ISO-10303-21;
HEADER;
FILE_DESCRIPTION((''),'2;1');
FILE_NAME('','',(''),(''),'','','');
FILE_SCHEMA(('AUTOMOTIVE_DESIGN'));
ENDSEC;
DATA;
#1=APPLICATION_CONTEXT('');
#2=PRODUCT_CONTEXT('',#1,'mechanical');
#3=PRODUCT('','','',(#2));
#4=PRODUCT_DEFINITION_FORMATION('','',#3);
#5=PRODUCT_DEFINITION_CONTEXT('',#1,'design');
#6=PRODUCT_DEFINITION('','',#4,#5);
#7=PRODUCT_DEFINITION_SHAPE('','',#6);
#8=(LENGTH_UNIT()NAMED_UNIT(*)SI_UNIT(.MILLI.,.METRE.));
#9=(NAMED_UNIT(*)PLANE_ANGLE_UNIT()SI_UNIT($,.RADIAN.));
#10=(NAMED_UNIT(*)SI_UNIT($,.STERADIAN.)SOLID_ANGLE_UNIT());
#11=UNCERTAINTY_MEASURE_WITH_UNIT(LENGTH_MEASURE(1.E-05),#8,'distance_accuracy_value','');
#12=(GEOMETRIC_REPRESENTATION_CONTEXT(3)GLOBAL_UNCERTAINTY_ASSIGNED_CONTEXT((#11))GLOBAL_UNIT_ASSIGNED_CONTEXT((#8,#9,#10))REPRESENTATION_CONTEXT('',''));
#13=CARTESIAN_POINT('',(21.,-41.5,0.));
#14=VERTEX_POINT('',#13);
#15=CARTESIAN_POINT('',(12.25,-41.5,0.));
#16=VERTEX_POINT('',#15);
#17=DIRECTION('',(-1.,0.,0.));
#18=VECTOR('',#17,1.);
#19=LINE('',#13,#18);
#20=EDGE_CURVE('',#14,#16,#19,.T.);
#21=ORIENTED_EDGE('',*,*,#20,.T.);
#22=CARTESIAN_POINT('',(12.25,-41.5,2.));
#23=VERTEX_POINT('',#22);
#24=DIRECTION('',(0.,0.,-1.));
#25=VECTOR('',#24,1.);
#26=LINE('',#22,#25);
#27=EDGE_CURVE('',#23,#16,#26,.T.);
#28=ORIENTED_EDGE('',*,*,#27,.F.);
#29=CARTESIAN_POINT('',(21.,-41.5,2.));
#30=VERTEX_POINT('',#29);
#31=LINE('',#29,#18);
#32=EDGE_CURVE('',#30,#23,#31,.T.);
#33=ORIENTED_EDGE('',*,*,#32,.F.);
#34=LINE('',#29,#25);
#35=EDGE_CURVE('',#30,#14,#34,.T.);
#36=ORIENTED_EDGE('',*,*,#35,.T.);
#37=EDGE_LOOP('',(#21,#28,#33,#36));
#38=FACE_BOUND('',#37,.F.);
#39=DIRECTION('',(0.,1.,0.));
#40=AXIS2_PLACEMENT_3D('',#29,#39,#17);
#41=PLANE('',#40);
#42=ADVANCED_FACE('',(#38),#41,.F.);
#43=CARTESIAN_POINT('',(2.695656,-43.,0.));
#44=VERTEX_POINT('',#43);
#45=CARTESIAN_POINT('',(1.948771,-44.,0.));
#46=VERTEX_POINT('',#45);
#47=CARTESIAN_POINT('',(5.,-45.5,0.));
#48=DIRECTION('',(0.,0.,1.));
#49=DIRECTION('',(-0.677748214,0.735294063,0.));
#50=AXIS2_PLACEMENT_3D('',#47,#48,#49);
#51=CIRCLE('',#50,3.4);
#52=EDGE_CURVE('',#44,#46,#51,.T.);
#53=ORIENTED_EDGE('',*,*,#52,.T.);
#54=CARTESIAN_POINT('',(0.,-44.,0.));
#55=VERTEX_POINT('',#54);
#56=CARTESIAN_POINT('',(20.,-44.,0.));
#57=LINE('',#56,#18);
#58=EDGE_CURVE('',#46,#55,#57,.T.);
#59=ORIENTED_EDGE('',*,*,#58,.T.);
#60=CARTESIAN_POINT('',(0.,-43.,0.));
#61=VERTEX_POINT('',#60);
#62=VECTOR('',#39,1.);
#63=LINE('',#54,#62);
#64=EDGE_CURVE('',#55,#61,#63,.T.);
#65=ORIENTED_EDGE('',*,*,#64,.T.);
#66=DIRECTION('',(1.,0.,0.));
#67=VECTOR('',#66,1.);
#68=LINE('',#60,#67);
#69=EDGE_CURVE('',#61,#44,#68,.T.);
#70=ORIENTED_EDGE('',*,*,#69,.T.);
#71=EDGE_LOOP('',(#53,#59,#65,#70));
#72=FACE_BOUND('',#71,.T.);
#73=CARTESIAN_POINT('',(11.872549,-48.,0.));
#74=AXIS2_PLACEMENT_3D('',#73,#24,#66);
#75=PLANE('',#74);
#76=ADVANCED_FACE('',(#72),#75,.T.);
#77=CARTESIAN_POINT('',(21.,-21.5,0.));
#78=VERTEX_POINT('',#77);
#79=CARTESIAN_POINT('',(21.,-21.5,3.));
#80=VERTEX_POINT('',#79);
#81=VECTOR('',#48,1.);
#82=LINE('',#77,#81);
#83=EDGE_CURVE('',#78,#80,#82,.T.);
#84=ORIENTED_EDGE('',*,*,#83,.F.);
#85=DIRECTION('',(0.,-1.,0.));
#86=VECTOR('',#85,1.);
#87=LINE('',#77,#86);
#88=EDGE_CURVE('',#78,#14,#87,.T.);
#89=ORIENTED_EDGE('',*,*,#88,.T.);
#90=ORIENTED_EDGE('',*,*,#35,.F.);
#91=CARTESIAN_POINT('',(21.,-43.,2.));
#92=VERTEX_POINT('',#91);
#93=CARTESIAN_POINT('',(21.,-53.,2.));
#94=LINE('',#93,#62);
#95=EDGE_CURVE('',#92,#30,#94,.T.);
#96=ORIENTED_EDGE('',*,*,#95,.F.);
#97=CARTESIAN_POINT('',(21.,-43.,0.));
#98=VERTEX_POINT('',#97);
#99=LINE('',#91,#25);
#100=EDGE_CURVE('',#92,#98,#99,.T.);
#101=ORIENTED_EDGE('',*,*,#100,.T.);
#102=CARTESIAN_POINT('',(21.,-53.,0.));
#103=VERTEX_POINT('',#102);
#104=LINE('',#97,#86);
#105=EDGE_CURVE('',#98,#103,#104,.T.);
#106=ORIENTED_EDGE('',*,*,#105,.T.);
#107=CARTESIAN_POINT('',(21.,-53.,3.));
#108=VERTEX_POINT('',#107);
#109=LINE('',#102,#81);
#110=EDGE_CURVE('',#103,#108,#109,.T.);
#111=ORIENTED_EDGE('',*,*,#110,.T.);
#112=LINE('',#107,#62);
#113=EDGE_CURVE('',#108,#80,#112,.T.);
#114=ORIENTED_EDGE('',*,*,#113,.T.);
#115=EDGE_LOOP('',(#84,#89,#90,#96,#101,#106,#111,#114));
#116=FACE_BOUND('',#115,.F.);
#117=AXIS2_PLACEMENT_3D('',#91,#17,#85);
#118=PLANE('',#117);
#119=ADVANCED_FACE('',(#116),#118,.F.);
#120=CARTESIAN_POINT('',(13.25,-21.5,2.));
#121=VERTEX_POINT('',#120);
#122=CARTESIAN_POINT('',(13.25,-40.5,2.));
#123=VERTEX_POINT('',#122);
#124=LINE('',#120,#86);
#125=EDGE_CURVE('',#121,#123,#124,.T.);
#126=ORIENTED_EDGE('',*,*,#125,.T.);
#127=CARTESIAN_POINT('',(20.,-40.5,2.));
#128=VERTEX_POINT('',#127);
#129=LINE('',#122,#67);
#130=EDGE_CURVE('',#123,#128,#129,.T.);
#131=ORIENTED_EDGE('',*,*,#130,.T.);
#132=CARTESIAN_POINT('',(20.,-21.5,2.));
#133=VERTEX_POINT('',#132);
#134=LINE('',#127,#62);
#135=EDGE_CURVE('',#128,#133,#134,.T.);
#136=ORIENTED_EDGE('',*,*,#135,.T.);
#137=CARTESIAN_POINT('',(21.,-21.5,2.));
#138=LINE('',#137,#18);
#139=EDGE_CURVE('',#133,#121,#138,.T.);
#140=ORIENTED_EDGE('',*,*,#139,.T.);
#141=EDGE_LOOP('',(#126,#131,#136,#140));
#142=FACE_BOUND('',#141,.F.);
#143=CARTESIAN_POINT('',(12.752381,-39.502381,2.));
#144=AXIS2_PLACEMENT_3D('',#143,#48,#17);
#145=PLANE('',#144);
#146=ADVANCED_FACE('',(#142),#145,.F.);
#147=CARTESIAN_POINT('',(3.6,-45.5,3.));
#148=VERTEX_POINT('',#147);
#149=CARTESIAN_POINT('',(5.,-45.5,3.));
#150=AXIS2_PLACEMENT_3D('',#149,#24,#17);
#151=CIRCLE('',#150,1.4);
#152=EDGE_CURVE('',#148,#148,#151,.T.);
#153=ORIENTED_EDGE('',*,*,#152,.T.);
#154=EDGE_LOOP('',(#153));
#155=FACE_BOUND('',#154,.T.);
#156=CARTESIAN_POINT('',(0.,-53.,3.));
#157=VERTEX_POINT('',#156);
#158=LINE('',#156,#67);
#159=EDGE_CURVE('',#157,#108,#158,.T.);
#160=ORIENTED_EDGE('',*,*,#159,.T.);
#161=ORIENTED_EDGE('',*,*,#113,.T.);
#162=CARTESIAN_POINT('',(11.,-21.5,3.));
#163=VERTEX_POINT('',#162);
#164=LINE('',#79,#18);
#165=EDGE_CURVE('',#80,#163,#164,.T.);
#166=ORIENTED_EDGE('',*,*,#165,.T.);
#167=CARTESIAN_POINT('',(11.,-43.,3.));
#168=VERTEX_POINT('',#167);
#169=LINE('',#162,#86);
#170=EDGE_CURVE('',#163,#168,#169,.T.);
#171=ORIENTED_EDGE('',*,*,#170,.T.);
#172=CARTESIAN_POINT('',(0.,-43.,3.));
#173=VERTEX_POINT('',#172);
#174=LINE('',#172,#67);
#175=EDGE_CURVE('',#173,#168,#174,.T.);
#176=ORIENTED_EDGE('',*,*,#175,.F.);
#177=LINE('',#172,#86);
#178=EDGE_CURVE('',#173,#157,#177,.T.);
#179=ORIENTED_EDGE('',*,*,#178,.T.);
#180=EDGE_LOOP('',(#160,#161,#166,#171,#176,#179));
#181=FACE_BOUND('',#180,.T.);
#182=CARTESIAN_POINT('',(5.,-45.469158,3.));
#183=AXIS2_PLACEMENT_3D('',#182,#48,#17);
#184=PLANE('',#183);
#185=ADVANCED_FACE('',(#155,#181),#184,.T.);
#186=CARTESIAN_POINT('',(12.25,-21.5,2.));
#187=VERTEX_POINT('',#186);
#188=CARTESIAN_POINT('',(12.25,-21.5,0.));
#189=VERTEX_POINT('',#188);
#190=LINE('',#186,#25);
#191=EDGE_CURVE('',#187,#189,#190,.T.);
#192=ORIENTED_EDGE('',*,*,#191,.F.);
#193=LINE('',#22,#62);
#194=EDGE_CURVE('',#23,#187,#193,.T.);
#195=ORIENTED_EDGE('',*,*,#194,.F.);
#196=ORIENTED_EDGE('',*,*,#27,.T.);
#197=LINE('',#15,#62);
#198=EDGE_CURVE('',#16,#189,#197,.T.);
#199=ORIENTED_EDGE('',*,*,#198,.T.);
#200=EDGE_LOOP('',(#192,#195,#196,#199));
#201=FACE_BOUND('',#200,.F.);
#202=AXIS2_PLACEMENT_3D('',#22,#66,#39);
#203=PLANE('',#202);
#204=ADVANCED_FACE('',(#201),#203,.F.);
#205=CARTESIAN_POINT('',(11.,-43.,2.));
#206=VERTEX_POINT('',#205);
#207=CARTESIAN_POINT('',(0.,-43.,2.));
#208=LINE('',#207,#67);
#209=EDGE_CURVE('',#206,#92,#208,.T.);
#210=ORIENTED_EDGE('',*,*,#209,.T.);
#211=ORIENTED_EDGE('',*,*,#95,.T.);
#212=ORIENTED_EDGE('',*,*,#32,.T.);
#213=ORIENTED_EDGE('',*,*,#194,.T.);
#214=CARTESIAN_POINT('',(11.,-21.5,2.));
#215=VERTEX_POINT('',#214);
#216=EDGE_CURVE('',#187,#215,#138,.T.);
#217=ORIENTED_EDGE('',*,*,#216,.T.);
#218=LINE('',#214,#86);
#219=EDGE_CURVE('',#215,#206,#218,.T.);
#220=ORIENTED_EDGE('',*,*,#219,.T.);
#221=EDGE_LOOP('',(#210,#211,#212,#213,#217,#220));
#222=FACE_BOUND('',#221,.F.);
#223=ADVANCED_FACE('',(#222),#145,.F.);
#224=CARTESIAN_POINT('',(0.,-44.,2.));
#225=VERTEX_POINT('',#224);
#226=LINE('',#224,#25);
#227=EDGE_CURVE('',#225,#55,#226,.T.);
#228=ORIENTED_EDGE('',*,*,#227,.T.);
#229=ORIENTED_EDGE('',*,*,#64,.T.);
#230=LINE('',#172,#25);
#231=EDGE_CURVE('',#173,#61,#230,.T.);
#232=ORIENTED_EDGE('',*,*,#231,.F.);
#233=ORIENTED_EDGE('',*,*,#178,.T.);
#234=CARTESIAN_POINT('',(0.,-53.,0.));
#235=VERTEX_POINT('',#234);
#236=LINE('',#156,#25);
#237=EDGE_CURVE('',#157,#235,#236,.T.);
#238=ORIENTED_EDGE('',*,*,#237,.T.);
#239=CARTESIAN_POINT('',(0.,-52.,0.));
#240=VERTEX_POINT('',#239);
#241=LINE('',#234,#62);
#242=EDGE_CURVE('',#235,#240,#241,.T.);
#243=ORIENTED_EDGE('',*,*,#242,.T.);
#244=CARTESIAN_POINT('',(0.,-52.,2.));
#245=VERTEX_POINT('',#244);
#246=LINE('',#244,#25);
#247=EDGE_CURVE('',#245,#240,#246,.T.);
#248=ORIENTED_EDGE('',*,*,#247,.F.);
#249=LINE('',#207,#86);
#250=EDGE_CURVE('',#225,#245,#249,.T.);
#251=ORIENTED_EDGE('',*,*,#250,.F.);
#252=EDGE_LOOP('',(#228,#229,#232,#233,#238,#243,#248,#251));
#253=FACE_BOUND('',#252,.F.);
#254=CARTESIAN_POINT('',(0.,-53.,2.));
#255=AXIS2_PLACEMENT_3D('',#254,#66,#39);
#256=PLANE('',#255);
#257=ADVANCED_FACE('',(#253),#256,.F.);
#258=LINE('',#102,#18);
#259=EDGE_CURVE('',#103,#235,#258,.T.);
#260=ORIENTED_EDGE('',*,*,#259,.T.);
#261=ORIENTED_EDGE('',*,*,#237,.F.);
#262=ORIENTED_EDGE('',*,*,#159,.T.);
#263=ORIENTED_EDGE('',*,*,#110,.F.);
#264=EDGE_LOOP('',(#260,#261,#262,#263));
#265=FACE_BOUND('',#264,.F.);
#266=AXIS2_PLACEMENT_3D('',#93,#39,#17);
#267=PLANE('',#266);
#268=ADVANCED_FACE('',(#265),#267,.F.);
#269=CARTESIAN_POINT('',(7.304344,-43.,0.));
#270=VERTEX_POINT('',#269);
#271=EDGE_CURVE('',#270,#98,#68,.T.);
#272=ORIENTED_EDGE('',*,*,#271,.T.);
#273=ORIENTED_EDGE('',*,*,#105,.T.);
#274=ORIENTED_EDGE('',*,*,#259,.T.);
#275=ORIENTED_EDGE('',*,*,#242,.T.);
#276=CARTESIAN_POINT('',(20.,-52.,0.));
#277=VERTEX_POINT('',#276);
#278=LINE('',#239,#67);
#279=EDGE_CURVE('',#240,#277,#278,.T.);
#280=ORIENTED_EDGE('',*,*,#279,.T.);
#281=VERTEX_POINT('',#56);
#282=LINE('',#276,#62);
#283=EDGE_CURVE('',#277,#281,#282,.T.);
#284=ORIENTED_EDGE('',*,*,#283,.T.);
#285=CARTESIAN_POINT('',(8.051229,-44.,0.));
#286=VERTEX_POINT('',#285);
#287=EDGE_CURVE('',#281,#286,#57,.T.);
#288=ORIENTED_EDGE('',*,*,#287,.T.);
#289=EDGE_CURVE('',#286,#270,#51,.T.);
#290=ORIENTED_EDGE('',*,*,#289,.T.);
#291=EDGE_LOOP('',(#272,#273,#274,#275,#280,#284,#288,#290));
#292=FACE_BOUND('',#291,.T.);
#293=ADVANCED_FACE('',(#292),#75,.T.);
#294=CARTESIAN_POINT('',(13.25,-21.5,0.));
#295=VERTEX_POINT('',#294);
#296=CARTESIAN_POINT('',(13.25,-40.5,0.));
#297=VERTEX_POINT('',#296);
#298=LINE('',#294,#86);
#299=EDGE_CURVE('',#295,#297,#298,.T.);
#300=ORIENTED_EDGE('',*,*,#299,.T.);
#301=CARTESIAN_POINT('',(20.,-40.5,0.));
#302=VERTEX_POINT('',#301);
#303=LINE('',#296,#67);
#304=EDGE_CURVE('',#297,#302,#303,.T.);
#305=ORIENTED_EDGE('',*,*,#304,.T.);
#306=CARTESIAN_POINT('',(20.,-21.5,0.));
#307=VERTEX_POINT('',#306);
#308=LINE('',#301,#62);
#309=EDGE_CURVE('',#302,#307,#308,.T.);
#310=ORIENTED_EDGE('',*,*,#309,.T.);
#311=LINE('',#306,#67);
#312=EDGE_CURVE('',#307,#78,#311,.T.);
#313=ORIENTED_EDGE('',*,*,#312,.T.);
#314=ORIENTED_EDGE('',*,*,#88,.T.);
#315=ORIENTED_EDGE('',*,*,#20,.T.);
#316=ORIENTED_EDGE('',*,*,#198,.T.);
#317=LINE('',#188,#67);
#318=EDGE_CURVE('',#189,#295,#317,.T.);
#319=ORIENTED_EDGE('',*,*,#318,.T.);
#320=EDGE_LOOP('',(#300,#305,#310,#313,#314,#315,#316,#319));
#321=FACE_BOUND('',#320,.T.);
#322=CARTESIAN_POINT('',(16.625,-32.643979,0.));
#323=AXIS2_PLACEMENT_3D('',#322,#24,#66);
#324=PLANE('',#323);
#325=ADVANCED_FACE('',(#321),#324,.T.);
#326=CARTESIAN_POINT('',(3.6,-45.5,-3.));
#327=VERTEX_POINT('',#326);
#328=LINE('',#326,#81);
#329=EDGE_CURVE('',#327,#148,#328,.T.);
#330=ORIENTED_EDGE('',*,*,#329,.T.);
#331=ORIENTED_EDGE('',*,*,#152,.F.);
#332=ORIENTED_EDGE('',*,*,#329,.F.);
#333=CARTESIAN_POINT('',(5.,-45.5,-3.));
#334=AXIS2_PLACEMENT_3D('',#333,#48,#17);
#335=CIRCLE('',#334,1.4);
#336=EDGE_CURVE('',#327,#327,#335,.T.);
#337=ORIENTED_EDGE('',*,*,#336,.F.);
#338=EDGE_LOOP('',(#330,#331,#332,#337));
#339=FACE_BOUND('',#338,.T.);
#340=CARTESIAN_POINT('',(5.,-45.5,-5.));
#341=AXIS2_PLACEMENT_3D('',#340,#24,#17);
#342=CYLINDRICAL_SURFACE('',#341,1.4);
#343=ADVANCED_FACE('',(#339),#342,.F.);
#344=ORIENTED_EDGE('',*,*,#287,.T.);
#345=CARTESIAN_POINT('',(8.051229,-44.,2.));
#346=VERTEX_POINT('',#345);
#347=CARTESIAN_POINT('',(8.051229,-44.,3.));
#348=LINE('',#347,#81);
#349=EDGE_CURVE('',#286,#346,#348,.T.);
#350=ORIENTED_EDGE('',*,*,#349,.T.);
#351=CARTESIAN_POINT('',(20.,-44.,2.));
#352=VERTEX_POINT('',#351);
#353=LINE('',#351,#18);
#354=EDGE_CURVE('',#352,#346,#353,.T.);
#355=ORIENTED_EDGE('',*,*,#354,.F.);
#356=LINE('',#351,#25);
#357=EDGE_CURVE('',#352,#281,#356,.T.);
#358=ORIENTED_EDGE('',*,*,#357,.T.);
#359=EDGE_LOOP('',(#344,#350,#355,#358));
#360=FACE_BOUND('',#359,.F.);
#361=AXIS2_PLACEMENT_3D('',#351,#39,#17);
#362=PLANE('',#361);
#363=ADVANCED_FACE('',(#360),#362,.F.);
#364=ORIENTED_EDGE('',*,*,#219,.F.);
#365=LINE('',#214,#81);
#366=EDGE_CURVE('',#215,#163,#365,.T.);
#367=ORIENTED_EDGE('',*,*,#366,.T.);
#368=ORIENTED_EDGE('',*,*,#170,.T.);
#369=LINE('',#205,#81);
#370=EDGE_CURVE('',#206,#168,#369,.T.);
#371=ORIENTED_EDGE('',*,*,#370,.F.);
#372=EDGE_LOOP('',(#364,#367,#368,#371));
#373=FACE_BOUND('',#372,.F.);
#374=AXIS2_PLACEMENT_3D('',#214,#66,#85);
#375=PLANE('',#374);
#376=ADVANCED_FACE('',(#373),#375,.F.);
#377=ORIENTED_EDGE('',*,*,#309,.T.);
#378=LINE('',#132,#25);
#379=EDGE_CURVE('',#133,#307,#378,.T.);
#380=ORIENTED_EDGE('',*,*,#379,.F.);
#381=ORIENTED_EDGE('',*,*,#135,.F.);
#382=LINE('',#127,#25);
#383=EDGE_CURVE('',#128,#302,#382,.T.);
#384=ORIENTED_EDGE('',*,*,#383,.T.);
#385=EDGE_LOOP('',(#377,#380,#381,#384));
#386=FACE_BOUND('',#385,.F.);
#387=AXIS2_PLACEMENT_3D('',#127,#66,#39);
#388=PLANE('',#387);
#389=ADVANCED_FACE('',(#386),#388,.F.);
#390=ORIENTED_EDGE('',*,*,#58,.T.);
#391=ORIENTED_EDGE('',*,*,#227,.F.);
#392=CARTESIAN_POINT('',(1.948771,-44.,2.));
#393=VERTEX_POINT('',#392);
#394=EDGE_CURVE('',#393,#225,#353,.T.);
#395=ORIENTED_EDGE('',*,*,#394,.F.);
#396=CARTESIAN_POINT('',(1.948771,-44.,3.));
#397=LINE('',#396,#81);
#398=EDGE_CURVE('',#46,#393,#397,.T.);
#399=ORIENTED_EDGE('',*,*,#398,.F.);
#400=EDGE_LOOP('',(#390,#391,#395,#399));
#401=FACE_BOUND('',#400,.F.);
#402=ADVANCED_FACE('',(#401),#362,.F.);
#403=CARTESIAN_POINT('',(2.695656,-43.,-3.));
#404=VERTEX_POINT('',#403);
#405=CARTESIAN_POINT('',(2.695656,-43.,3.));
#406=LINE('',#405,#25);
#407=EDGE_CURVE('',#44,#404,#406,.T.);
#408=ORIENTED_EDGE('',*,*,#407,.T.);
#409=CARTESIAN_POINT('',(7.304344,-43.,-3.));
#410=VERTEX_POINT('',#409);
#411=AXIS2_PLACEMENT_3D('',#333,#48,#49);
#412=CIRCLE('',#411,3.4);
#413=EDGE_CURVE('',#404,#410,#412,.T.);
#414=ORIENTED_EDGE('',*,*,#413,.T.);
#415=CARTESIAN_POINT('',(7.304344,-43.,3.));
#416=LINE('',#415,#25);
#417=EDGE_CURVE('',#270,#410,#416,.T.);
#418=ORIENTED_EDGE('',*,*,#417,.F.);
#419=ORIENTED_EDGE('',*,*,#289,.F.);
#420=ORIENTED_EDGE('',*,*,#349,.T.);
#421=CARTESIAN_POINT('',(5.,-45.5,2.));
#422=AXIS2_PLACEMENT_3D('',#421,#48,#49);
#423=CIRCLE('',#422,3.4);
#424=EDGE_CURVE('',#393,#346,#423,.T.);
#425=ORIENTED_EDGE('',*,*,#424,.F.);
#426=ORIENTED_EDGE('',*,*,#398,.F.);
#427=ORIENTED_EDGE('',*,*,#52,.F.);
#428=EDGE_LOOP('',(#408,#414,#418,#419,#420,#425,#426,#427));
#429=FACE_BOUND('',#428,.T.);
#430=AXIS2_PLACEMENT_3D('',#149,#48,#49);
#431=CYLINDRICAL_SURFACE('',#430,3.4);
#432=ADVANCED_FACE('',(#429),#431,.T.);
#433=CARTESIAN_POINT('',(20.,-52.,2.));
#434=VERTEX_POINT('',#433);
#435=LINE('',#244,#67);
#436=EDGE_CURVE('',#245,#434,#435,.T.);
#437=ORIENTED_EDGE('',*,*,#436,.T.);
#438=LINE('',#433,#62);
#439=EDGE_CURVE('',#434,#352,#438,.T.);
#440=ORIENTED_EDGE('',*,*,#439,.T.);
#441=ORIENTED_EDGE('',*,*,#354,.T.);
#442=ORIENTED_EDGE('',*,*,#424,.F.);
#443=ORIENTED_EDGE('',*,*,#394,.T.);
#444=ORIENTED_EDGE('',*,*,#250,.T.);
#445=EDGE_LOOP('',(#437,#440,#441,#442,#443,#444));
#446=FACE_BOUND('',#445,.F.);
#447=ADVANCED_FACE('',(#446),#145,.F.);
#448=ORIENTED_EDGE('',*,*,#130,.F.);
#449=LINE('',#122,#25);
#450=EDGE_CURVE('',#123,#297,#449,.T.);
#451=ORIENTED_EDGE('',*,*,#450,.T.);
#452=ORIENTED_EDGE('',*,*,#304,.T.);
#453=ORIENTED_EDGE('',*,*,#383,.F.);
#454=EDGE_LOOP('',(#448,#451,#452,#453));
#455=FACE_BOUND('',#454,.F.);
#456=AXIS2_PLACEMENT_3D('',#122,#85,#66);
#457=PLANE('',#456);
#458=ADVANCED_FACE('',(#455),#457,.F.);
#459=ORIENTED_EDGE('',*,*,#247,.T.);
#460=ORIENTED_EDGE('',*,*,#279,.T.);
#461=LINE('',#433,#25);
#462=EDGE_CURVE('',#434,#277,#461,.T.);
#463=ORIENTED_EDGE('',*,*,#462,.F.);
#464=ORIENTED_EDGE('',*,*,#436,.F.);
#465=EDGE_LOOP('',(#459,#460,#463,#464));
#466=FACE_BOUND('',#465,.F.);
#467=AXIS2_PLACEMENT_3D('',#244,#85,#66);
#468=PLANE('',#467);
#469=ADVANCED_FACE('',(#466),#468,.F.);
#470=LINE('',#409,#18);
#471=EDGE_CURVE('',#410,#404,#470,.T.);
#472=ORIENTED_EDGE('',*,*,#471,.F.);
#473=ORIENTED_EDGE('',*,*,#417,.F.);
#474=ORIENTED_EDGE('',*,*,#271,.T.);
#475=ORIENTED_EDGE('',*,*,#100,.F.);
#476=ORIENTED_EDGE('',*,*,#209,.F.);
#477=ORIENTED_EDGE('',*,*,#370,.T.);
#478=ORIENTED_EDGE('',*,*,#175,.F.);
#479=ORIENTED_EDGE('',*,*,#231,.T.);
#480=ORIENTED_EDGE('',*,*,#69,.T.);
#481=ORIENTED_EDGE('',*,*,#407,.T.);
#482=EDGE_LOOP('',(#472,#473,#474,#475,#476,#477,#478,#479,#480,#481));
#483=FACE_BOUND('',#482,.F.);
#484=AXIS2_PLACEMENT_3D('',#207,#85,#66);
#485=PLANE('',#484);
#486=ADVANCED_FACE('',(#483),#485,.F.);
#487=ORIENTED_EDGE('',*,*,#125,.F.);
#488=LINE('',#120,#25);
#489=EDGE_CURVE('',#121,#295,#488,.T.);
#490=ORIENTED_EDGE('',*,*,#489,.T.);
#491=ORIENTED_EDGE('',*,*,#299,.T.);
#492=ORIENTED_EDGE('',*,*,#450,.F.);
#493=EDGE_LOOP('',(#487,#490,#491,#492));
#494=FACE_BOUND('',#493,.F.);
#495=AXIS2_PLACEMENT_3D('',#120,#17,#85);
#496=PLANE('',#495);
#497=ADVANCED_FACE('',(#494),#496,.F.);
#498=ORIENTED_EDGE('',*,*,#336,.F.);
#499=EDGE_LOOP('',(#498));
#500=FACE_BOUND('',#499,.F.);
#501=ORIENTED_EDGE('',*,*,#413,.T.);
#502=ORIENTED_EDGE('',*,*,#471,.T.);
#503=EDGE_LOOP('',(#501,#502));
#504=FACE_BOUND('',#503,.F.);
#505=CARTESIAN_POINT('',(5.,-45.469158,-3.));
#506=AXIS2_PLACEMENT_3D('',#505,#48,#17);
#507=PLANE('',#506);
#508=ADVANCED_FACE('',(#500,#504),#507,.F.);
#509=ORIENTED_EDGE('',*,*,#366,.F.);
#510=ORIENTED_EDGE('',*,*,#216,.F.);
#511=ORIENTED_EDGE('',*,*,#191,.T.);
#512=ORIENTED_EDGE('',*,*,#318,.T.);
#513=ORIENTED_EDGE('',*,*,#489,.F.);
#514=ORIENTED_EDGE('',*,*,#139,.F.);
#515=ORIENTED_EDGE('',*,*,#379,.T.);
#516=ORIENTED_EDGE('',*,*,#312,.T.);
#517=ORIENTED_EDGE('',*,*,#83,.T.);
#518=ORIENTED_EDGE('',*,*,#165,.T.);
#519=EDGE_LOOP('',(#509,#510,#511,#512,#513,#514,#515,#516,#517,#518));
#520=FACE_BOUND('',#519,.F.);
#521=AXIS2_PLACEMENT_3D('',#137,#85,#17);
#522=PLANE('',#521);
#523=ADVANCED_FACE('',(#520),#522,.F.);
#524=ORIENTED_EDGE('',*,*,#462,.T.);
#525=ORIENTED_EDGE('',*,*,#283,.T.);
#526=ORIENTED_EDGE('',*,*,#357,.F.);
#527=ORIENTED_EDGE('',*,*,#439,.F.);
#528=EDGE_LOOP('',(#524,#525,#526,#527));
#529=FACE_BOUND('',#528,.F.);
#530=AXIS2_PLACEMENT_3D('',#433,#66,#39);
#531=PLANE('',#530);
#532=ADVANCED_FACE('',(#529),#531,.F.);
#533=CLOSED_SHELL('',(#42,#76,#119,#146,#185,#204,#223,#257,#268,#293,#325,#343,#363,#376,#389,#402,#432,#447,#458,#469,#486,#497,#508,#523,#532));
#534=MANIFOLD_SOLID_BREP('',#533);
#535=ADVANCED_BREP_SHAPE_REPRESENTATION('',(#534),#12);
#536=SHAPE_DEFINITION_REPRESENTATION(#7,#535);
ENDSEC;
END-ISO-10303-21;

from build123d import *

# Parameters (mm, degrees)
CYLINDER005_R     = 1.4
CYLINDER005_DEPTH = 10
EXTRUDE001_DEPTH  = 2
SKETCH002_R       = 1.4
EXTRUDE002_DEPTH  = 6
EXTRUDE_DEPTH     = 1


with BuildPart() as cylinder005:
    # Cylinder005 → Cylinder005 (new body)
    with BuildSketch(Plane(origin=(-5, 2.5, -5), x_dir=(1, 0, 0), z_dir=(0, 0, 1))):
        Circle(CYLINDER005_R)
    extrude(amount=CYLINDER005_DEPTH)


with BuildPart() as extrude001:
    # Sketch001 → Extrude001 (new body)
    with BuildSketch(Plane.XY.offset(10)):
        Polygon((-21, 10), (0, 10), (0, 9), (-20, 9), (-20, 1), (0, 1), (0, 0), (-21, 0), align=None)
        Polygon((-21, -1.5), (-12.25, -1.5), (-12.25, -21.5), (-13.25, -21.5), (-13.25, -2.5), (-20, -2.5), (-20, -21.5), (-21, -21.5), align=None)
    extrude(amount=-EXTRUDE001_DEPTH)


with BuildPart() as extrude001_1:
    # Extrude001 placement: moved
    add(extrude001.part.moved(Location((0, 0, -8))))


with BuildPart() as extrude002:
    # Sketch002 → Extrude002 (new body)
    with BuildSketch(Plane.XY.offset(10)):
        with BuildLine():
            ThreePointArc((-2.695656, 0), (-5, 5.9), (-7.304344, 0))
            Line((-7.304344, 0), (-2.695656, 0))
        make_face()
        with Locations((-5, 2.5)):
            Circle(SKETCH002_R, mode=Mode.SUBTRACT)
    extrude(amount=-EXTRUDE002_DEPTH)


with BuildPart() as extrude002_1:
    # Extrude002 placement: moved
    add(extrude002.part.moved(Location((0, 0, -7))))


with BuildPart() as body001:
    # Sketch → Extrude (new body)
    with BuildSketch(Plane.XY):
        Polygon((-11, 0), (0, 0), (0, 10), (-21, 10), (-21, -21.5), (-11, -21.5), align=None)
    extrude(amount=EXTRUDE_DEPTH)


with BuildPart() as body001_1:
    # Extrude placement: moved
    add(body001.part.moved(Location((0, 0, 2))))

    # Fusion012: union Extrude001, Extrude002
    add(extrude001_1.part)
    add(extrude002_1.part)

    # Cut001: cut Cylinder005
    add(cylinder005.part, mode=Mode.SUBTRACT)


with BuildPart() as body003:
    # Part__Mirroring002: instance of Body001
    add(body001_1.part.mirror(Plane(origin=(0, -21.5, 0), x_dir=(1, 0, 0), z_dir=(0, 1, 0))))


with BuildPart() as part_mirroring004:
    # Part__Mirroring004: instance of Body003
    add(body003.part.mirror(Plane(origin=(0, -21.5, 0), x_dir=(0, -1, 0), z_dir=(1, 0, 0))))


solid = part_mirroring004.part
